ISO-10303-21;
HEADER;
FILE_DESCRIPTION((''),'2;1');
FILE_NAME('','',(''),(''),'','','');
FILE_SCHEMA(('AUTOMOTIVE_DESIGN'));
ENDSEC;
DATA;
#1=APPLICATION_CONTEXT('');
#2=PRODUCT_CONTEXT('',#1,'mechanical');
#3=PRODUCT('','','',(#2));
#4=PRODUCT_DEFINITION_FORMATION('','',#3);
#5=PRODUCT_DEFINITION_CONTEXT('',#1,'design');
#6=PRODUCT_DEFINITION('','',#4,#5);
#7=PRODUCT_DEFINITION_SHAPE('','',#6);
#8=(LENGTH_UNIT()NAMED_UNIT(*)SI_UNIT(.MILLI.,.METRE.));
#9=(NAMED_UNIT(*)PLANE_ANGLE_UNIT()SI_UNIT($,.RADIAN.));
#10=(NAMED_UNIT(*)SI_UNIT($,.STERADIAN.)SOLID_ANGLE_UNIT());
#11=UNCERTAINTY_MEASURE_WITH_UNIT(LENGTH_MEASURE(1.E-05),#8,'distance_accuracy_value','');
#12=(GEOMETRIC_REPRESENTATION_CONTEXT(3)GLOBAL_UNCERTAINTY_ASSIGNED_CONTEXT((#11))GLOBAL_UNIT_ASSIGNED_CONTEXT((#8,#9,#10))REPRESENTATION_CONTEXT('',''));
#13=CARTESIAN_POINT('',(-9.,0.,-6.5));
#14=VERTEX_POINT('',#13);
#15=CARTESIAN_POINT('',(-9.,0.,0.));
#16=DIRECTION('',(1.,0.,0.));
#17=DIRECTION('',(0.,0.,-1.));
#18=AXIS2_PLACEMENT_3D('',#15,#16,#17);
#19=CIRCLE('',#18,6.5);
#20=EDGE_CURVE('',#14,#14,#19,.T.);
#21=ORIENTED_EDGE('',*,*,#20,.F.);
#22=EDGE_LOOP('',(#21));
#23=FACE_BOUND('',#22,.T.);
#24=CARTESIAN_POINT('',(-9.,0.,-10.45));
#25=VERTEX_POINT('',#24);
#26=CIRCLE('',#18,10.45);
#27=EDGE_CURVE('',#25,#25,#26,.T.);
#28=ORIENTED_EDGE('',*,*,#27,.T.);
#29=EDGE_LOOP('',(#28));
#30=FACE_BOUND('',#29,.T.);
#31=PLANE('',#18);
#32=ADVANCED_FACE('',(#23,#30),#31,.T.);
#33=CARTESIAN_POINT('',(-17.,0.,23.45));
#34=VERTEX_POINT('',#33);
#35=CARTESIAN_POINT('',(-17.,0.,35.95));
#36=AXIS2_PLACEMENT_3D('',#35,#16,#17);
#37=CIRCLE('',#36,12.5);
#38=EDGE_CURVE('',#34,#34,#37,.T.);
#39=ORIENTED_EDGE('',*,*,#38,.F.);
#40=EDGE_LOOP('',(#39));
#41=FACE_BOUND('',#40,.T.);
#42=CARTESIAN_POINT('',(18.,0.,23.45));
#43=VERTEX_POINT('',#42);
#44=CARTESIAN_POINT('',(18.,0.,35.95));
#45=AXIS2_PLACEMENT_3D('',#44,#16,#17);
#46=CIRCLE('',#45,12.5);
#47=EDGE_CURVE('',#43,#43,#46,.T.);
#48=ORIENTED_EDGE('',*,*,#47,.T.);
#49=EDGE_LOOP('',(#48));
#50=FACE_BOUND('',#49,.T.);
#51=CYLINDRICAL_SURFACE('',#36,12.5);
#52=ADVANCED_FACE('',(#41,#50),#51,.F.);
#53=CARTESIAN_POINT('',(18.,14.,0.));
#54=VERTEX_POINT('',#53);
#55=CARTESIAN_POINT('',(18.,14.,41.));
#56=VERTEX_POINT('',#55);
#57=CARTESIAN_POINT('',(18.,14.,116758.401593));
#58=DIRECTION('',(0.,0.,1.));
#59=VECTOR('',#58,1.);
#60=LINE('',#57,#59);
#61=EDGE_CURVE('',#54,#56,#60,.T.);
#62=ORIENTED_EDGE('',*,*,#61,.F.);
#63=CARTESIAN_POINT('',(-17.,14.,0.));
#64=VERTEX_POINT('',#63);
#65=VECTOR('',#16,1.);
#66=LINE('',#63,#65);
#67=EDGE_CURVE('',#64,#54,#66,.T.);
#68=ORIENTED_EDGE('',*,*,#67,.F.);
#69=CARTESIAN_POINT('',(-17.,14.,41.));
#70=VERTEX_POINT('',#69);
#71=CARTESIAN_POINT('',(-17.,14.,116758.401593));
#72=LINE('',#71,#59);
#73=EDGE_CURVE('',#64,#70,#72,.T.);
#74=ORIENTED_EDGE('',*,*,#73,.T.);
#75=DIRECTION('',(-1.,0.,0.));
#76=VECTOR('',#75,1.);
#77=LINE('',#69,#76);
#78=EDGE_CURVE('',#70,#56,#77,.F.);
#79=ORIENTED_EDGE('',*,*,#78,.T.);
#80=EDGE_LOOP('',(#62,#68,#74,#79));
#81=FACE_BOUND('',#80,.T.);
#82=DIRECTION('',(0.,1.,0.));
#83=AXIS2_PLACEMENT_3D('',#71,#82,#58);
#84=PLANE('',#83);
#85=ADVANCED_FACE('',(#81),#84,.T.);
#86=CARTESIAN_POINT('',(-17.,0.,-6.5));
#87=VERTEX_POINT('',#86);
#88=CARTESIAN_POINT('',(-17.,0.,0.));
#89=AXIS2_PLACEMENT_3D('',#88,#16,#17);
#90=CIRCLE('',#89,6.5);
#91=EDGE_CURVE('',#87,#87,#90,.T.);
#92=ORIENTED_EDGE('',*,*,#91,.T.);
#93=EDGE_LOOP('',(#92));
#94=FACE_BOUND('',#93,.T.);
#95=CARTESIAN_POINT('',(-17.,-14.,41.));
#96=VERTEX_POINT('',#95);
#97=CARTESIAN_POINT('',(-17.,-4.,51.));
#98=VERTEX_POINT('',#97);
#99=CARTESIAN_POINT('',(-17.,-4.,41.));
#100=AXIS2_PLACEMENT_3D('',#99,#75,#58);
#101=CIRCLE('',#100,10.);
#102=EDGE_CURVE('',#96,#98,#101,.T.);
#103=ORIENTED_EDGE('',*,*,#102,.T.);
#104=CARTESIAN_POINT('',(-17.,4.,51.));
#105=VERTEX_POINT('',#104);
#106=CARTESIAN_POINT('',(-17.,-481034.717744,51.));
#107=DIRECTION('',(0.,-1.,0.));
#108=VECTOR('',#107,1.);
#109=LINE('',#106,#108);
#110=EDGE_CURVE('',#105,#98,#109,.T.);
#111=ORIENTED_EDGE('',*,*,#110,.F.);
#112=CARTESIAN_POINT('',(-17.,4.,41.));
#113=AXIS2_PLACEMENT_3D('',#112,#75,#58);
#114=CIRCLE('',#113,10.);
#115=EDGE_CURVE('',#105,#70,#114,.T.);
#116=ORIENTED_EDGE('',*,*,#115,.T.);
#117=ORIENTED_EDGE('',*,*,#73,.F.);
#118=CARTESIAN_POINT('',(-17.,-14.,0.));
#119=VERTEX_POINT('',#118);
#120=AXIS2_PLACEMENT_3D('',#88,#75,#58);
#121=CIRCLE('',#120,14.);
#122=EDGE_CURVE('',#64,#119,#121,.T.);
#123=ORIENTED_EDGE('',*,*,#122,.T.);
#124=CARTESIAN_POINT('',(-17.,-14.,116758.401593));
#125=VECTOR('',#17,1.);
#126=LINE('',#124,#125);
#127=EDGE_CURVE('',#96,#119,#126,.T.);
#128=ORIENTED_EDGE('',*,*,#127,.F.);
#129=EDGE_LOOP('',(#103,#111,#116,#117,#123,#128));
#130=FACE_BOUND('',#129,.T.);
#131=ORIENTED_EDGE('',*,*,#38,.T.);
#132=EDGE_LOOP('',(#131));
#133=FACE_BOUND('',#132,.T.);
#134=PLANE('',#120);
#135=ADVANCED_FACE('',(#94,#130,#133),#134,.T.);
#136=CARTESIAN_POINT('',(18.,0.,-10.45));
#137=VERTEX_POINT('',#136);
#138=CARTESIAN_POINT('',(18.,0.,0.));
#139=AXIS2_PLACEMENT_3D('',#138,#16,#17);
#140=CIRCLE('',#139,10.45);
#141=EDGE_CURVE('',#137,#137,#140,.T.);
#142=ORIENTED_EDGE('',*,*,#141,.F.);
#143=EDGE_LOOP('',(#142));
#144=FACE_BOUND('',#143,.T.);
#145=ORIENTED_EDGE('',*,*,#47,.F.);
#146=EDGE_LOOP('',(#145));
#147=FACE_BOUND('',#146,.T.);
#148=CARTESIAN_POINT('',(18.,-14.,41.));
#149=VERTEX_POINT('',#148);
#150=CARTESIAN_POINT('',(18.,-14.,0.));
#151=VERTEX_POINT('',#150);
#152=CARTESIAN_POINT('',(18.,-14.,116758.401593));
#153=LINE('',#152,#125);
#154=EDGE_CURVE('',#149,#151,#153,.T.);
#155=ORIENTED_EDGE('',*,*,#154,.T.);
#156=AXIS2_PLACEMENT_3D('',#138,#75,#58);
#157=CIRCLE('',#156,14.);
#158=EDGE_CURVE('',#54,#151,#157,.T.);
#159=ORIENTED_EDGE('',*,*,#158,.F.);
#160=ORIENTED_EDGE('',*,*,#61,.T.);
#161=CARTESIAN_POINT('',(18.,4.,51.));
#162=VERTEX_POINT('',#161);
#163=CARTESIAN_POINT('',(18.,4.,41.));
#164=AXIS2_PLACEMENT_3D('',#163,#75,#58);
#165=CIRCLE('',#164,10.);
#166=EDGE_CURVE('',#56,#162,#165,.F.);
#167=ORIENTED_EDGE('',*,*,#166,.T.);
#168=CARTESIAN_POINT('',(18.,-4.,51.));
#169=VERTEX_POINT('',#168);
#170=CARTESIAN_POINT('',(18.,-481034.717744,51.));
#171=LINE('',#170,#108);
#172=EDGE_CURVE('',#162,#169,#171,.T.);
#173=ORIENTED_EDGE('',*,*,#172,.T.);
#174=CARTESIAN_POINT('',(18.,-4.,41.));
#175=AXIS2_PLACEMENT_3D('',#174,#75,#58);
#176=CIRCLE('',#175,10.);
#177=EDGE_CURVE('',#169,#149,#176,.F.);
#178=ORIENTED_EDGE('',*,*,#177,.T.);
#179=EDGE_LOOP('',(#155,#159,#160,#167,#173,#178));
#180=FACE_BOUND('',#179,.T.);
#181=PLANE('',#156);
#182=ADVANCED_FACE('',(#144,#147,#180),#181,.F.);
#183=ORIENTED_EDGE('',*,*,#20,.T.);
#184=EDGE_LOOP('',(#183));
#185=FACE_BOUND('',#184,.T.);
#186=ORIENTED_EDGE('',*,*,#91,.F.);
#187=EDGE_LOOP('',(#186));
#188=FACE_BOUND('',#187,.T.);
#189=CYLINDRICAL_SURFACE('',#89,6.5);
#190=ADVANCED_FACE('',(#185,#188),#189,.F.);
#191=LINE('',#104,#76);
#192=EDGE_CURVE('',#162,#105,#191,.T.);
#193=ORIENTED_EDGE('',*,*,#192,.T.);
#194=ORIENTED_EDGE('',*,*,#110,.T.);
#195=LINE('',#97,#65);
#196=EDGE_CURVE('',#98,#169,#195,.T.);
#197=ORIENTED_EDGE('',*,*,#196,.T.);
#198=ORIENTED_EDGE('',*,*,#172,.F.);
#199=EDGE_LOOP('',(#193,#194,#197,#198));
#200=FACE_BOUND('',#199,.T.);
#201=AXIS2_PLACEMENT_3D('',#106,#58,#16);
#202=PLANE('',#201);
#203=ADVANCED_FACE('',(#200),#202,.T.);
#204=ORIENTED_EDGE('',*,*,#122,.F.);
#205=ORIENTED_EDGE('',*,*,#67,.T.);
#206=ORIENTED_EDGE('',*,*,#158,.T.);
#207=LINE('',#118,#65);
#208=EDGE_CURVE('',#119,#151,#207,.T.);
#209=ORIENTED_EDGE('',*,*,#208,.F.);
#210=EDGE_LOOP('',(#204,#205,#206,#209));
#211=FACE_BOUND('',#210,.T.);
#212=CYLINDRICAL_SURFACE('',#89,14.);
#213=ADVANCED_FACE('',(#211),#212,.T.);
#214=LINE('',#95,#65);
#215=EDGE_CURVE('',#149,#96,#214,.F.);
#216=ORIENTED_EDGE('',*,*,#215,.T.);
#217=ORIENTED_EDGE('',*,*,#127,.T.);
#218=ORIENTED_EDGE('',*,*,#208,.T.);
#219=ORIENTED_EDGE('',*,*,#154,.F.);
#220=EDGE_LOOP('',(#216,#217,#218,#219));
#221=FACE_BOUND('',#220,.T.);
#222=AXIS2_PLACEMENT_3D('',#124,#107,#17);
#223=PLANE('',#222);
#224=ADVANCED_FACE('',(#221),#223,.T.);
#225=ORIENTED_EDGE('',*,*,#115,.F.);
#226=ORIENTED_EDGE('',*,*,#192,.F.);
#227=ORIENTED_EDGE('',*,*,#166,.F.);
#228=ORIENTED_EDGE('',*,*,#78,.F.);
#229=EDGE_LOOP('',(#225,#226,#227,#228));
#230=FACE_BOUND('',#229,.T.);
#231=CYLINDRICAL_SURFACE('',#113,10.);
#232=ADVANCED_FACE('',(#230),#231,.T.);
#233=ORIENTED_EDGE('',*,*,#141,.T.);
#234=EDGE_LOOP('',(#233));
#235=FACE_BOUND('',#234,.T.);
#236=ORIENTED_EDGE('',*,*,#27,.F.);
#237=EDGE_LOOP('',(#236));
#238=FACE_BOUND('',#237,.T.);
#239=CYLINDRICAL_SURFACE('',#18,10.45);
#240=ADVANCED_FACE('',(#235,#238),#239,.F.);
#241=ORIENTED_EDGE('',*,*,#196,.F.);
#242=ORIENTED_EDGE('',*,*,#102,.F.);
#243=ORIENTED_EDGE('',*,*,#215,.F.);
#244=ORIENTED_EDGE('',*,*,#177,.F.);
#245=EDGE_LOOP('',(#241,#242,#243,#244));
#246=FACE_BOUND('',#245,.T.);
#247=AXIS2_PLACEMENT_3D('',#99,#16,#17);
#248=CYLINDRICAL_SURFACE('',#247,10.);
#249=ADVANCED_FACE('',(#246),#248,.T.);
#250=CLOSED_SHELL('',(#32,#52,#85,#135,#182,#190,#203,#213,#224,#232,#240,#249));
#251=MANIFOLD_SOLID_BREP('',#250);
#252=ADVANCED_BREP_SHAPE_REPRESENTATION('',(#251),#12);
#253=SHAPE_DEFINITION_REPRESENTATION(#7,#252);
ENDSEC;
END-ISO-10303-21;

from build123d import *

# Parameters (mm, degrees)
BOSS_EXTRUDE1_START = -17
BOSS_EXTRUDE1_DEPTH = 35
SKETCH2_R           = 10.45
CUT_EXTRUDE1_DEPTH  = 27
SKETCH3_R           = 6.5
CUT_EXTRUDE2_DEPTH  = 60.380131357
SKETCH4_R           = 12.5
CUT_EXTRUDE3_DEPTH  = 64.419239983
FILLET5_R           = 10
FILLET6_R           = 10


with BuildPart() as part:
    # Sketch1 → Boss-Extrude1 (new body)
    with BuildSketch(Plane.YZ.offset(BOSS_EXTRUDE1_START)):
        with BuildLine():
            Line((-14, 0), (-14, 51))
            Line((-14, 51), (14, 51))
            Line((14, 51), (14, 0))
            ThreePointArc((14, 0), (0, -14), (-14, 0))
        make_face()
    extrude(amount=BOSS_EXTRUDE1_DEPTH)

    # Sketch2 → Cut-Extrude1 (cut)
    with BuildSketch(Plane.YZ.offset(18)):
        with Locations(Location((0, 0, 0), (0, 0, 270))):
            Circle(SKETCH2_R)
    extrude(amount=-CUT_EXTRUDE1_DEPTH, mode=Mode.SUBTRACT)

    # Sketch3 → Cut-Extrude2 (cut, through all)
    with BuildSketch(Plane.YZ.offset(-9)):
        with Locations(Location((0, 0, 0), (0, 0, 270))):
            Circle(SKETCH3_R)
    extrude(amount=-CUT_EXTRUDE2_DEPTH, mode=Mode.SUBTRACT)

    # Sketch4 → Cut-Extrude3 (cut, through all)
    with BuildSketch(Plane.YZ.offset(18)):
        with Locations(Location((0, 35.95, 0), (0, 0, 270))):
            Circle(SKETCH4_R)
    extrude(amount=-CUT_EXTRUDE3_DEPTH, mode=Mode.SUBTRACT)

    # Fillet5
    fillet5_edges = [part.edges().sort_by_distance(p)[0] for p in [
        (0.5, 14, 51),
    ]]
    fillet(fillet5_edges, radius=FILLET5_R)

    # Fillet6
    fillet6_edges = [part.edges().sort_by_distance(p)[0] for p in [
        (0.5, -14, 51),
    ]]
    fillet(fillet6_edges, radius=FILLET6_R)


solid = part.part
